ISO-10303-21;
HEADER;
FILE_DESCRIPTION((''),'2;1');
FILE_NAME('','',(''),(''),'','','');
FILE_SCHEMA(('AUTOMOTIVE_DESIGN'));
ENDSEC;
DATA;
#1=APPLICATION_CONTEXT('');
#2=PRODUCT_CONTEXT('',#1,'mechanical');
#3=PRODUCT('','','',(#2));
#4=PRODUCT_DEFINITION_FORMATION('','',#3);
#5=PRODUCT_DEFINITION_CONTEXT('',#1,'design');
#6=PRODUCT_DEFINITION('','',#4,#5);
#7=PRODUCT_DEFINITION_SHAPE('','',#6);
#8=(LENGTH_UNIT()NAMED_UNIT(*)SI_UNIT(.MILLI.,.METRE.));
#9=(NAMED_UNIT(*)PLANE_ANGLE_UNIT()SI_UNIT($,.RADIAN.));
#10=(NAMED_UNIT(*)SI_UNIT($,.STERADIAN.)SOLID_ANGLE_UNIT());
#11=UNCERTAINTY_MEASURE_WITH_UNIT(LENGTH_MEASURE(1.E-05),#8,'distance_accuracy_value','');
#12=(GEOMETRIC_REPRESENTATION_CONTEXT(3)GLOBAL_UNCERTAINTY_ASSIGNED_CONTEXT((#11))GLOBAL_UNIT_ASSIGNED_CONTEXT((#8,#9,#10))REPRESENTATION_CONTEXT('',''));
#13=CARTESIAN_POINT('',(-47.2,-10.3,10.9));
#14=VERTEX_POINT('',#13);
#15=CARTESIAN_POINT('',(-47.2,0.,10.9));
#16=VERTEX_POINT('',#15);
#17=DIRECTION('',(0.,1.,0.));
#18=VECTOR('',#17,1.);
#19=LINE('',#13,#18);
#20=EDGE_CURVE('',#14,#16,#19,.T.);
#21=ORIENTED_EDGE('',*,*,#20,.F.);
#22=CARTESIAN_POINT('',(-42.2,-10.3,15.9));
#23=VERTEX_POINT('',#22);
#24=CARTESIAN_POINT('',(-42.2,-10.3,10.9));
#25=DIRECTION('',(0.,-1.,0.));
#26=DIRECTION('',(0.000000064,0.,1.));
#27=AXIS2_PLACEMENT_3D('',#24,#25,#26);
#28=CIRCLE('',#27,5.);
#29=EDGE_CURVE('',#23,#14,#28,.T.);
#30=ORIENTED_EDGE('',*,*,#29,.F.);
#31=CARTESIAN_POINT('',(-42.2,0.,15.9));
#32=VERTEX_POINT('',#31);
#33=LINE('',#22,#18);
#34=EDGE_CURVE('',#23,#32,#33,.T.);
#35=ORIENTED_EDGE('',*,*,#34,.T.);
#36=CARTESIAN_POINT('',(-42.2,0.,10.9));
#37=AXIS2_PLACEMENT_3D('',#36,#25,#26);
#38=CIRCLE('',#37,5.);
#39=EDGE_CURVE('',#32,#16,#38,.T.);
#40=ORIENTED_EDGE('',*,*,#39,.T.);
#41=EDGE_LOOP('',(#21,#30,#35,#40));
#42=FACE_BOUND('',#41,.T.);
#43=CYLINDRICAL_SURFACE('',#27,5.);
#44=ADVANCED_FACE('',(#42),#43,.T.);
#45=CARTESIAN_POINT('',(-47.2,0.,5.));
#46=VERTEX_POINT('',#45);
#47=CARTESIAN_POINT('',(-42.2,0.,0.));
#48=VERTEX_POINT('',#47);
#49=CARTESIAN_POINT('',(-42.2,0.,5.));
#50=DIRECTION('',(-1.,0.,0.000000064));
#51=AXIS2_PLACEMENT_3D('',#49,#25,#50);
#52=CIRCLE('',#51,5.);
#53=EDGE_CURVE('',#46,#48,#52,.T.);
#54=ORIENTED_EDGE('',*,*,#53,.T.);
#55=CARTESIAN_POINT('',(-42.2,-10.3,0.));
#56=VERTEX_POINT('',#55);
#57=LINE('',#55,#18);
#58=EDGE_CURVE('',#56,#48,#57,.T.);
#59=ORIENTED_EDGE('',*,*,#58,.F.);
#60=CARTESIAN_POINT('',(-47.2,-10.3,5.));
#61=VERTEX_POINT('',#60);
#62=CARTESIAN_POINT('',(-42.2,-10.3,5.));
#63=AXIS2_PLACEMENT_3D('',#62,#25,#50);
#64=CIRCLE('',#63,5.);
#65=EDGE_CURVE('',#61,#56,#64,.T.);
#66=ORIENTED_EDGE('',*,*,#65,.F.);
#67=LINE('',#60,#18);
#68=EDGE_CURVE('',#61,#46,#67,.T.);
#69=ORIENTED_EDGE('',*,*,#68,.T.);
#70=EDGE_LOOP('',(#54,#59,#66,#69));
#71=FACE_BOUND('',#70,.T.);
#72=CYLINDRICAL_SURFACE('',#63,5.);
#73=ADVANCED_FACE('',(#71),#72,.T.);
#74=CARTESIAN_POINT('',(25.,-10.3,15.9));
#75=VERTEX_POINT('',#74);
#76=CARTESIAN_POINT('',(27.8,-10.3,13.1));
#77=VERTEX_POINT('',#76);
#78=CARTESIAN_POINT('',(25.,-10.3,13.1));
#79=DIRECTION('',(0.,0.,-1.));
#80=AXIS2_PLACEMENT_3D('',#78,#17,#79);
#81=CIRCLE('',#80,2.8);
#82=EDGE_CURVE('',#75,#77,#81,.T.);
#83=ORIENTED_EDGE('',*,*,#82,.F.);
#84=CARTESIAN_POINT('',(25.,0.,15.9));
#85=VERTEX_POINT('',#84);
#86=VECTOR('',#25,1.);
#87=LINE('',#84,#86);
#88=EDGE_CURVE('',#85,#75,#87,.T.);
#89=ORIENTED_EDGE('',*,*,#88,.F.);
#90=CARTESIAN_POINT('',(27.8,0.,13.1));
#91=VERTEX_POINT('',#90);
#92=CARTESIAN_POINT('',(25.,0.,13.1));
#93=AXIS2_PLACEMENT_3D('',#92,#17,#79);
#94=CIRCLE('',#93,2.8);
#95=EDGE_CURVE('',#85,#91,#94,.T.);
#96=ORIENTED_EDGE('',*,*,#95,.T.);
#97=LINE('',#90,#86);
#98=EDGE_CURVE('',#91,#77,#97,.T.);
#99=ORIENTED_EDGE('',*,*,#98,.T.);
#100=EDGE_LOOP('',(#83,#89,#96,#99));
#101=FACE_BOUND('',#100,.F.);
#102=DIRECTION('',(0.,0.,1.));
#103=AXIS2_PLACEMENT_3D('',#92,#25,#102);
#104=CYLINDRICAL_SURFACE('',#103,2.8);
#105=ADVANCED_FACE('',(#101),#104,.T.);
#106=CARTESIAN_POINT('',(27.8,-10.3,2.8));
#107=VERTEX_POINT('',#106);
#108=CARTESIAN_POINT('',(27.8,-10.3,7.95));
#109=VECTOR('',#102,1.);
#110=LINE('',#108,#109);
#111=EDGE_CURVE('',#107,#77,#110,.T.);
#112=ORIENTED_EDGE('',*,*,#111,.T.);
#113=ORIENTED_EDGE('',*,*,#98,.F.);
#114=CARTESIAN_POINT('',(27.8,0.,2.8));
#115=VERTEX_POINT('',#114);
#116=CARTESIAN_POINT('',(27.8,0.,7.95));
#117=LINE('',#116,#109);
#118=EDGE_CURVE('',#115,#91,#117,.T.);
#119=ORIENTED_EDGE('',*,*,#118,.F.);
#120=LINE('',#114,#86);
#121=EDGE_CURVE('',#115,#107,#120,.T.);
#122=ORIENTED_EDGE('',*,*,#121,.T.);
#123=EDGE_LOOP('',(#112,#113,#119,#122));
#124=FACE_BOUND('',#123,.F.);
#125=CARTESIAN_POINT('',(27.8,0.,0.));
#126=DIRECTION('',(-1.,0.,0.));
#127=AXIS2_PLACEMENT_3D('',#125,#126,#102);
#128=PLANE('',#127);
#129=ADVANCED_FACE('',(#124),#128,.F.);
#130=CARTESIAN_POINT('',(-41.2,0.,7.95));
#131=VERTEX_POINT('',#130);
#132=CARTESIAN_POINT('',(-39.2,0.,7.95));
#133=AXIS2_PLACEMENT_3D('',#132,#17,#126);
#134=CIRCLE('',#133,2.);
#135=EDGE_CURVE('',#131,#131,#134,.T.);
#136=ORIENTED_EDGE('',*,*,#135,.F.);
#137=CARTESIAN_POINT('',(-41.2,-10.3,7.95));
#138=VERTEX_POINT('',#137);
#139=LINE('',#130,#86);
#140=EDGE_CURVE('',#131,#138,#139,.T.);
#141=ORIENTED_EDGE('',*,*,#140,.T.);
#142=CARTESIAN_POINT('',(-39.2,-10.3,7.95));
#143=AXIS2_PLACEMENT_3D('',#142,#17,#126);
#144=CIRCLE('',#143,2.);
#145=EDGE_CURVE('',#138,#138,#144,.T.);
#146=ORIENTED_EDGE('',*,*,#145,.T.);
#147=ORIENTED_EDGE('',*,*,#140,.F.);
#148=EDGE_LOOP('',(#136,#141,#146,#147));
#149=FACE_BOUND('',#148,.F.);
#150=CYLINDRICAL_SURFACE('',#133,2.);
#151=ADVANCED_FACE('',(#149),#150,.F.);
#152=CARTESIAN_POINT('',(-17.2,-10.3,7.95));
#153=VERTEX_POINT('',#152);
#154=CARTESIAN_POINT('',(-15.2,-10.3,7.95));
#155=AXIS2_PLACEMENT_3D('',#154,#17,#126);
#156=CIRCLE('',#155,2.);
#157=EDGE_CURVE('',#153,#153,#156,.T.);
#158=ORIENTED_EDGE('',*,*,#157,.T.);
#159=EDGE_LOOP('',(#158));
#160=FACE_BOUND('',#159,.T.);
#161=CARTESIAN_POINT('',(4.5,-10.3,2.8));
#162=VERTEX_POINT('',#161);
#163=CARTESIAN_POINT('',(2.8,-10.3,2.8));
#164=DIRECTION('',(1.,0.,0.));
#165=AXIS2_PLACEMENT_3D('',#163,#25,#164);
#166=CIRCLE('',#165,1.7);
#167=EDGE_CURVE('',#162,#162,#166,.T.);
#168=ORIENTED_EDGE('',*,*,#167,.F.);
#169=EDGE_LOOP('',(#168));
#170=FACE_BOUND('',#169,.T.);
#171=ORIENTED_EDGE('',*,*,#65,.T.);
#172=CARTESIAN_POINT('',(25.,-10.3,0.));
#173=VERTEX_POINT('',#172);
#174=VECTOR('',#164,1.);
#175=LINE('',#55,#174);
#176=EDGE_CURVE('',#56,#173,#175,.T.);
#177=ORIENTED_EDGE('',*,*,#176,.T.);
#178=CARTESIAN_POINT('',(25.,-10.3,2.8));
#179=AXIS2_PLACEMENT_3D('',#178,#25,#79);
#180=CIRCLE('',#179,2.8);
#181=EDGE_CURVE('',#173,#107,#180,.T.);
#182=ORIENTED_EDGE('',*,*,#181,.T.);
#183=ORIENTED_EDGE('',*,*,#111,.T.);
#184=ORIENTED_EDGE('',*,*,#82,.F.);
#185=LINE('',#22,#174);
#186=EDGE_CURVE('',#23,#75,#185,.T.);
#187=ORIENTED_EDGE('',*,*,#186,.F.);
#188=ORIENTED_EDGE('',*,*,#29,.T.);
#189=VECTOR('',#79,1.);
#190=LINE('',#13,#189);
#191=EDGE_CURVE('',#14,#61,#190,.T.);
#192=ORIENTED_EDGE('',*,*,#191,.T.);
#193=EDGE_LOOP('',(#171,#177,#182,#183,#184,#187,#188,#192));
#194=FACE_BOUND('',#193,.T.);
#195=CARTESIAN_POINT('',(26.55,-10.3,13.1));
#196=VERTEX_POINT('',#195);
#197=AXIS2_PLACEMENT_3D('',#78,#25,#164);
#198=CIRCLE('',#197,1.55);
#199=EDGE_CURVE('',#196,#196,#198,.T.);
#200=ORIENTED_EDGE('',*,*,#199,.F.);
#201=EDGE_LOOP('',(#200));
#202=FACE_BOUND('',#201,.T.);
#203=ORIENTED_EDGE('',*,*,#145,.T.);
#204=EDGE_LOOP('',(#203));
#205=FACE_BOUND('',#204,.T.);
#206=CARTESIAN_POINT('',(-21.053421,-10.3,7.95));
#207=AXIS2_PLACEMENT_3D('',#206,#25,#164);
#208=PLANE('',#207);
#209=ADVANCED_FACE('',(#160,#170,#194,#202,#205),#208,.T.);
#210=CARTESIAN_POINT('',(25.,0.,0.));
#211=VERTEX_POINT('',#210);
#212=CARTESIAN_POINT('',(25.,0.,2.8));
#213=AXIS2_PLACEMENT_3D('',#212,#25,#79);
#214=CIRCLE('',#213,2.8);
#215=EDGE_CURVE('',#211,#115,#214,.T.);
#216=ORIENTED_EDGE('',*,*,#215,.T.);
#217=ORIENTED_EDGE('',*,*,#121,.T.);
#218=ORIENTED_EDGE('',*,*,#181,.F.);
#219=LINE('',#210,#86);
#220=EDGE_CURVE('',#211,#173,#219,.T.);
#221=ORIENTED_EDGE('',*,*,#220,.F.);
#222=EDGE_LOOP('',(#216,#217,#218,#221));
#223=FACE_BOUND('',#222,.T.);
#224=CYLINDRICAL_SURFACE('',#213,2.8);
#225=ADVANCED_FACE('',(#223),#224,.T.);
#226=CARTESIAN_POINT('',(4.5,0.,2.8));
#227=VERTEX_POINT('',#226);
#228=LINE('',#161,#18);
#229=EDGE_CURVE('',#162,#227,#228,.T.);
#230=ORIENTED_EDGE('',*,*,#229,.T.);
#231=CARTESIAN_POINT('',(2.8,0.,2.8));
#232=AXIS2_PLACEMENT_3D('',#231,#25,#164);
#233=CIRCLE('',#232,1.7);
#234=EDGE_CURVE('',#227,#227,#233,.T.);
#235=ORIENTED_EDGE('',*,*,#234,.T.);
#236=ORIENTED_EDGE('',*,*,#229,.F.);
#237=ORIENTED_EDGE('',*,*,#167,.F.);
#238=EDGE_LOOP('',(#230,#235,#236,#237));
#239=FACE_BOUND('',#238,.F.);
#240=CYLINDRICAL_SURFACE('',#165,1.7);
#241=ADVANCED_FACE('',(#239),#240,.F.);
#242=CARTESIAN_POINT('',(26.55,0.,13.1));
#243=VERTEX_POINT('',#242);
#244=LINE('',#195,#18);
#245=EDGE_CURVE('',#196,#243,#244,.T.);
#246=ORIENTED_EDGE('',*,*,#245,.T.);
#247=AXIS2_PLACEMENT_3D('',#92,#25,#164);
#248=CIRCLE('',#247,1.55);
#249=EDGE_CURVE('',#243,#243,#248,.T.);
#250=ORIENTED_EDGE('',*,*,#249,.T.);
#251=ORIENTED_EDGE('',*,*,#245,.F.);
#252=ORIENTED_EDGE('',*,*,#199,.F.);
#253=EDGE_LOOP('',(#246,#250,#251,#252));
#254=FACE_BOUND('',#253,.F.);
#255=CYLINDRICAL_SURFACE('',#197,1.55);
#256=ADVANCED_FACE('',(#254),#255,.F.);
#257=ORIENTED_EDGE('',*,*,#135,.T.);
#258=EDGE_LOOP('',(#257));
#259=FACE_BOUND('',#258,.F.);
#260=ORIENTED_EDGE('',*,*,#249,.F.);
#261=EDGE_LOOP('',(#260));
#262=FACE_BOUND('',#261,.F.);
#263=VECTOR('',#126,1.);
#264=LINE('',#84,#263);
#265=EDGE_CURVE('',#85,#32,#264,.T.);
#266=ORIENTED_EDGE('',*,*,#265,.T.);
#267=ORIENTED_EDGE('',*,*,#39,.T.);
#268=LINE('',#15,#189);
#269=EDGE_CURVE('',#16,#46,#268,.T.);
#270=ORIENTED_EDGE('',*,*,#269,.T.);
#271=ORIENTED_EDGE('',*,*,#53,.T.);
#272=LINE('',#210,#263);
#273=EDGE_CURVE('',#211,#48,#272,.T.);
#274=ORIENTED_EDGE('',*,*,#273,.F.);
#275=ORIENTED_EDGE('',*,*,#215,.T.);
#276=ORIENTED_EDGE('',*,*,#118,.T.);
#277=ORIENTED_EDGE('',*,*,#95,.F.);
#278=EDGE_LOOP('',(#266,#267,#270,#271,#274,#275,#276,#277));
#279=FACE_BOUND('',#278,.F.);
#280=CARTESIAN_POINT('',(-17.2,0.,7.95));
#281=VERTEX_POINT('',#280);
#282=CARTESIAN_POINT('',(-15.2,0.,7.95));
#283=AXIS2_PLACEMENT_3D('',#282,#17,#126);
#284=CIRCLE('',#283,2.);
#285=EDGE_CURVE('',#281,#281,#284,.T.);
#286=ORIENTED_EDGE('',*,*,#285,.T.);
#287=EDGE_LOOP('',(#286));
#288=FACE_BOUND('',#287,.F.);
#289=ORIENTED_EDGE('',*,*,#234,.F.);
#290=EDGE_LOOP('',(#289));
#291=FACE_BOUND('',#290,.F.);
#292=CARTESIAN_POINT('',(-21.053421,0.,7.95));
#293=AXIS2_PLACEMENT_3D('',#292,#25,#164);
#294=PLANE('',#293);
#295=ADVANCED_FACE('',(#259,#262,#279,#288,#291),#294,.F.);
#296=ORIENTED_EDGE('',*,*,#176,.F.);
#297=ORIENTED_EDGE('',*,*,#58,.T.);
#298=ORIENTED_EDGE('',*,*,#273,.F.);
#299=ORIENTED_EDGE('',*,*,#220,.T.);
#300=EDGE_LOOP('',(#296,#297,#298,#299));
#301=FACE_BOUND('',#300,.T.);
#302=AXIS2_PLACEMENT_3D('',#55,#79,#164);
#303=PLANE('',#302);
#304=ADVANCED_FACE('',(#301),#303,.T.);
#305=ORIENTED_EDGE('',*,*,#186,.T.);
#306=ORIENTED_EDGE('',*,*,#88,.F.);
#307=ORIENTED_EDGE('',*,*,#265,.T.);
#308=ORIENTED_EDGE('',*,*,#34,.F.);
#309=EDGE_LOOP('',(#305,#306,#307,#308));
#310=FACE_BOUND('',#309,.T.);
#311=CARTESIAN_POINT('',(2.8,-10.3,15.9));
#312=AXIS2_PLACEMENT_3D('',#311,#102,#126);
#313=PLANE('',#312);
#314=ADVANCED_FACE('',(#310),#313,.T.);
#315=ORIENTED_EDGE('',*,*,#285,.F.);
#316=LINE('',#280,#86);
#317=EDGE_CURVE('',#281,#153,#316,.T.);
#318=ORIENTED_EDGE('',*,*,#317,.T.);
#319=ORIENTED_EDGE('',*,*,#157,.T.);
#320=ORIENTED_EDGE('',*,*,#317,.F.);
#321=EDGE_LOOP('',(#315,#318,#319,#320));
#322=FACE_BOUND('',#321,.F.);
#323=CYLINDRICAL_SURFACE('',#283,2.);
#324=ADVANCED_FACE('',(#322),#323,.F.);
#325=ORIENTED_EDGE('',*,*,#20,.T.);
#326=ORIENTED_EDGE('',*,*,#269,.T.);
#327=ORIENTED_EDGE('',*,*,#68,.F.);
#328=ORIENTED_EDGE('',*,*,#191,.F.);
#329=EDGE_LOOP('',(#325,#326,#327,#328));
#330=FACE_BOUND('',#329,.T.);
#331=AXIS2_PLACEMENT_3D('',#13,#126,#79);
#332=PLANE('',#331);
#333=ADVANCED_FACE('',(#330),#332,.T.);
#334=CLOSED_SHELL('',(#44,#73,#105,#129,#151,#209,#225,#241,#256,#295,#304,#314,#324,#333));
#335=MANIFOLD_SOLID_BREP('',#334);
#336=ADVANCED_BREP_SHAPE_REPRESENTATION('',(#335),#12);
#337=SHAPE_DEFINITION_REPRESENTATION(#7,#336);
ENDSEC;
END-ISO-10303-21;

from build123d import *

# Parameters (mm, degrees)
F0_W     = 27.8
F0_H     = 15.9
F1_DEPTH = 10.3
F2_R     = 1.7
F2_R_2   = 1.55
F3_DEPTH = 10.301
F4_R     = 2.8
F6_DEPTH = 10.3
F7_R     = 2
F8_DEPTH = 10.3


with BuildPart() as f1:
    # F0 (on Front) → F1 (new body)
    with BuildSketch(Plane.XZ):
        with Locations((13.9, 7.95)):
            Rectangle(F0_W, F0_H)
    extrude(amount=F1_DEPTH)

    # F2 (on face) → F3 (cut, through all)
    with BuildSketch(Plane.XZ.offset(10.3)):
        with Locations((2.8, 2.8)):
            Circle(F2_R)
        with Locations((25, 13.1)):
            Circle(F2_R_2)
    extrude(amount=-F3_DEPTH, mode=Mode.SUBTRACT)

    # F4
    f4_edges = [f1.edges().sort_by_distance(p)[0] for p in [
        (0, -5.15, 0),
        (0, -5.15, 15.9),
        (27.8, -5.15, 0),
        (27.8, -5.15, 15.9),
    ]]
    fillet(f4_edges, radius=F4_R)

    # F5 (on face) → F6 (join, through all)
    with BuildSketch(Plane.XZ.offset(10.3)):
        with BuildLine():
            ThreePointArc((0, 13.1), (0.820101, 15.079899), (2.8, 15.9))
            Line((2.8, 15.9), (-42.2, 15.9))
            ThreePointArc((-42.2, 15.9), (-45.735534, 14.435534), (-47.2, 10.9))
            Line((-47.2, 10.9), (-47.2, 5))
            ThreePointArc((-47.2, 5), (-45.735534, 1.464466), (-42.2, 0))
            Line((-42.2, 0), (2.8, 0))
            ThreePointArc((2.8, 0), (0.820101, 0.820101), (0, 2.8))
            Line((0, 2.8), (0, 13.1))
        make_face()
    extrude(amount=-F6_DEPTH)

    # F7 (on face) → F8 (cut, through all)
    with BuildSketch(Plane(origin=(0, 0, 0), x_dir=(-1, 0, 0), z_dir=(0, 1, 0))):
        with Locations((39.2, 7.95)):
            Circle(F7_R)
        with Locations((15.2, 7.95)):
            Circle(F7_R)
    extrude(amount=-F8_DEPTH, mode=Mode.SUBTRACT)


solid = f1.part
